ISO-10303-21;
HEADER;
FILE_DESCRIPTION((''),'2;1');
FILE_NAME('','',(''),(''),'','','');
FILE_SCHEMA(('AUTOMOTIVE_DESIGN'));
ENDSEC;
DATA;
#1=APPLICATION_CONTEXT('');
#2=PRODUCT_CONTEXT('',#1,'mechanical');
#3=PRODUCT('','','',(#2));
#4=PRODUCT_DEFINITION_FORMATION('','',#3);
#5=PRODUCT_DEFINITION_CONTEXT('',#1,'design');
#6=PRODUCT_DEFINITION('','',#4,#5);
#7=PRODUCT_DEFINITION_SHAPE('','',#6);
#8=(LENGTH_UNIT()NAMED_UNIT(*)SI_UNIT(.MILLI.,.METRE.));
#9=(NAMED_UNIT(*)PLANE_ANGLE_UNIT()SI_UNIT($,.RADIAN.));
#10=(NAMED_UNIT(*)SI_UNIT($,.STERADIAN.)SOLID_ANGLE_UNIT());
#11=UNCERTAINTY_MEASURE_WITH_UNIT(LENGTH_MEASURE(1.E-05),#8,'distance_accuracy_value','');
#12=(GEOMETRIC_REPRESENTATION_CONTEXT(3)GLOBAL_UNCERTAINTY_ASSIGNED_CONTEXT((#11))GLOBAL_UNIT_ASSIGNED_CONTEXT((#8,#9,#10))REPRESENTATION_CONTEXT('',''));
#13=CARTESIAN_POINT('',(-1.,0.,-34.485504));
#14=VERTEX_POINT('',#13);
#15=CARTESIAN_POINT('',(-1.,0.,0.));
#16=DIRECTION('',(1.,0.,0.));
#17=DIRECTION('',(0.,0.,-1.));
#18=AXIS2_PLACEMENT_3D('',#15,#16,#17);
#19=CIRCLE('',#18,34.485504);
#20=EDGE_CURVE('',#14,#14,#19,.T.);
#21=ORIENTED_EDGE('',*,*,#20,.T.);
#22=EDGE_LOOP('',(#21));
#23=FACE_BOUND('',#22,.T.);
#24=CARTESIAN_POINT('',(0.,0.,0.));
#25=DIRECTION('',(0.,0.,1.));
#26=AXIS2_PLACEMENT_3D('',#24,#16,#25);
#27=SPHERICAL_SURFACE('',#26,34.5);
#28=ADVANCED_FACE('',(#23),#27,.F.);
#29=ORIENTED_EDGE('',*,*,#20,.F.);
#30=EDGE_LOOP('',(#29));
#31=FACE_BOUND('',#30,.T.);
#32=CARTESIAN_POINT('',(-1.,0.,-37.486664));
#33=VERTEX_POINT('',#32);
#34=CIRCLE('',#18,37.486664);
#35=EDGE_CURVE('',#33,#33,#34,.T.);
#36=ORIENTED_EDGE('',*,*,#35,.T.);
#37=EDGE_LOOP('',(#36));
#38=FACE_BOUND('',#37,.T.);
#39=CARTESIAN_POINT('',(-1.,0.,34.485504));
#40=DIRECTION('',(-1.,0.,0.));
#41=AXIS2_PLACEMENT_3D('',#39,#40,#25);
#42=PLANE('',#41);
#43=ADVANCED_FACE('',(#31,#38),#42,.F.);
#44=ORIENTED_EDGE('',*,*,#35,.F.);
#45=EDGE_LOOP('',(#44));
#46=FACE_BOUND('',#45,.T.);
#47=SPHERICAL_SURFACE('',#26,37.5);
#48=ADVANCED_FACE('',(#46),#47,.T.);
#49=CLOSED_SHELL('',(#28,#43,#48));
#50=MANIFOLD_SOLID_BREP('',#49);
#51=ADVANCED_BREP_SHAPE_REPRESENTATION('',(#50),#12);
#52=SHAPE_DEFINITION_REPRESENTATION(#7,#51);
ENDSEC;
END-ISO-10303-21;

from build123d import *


with BuildPart() as part:
    # 草图1 → 旋转1 (revolve)
    with BuildSketch(Plane(origin=(0, 0, 0), x_dir=(1, 0, 0), z_dir=(0, 1, 0))):
        with BuildLine():
            Line((-34.5, 0), (-37.5, 0))
            ThreePointArc((-37.5, 0), (-26.867731575, -26.160561921), (-1, -37.486664295))
            Line((-1, -37.486664295), (-1, -34.485504201))
            ThreePointArc((-1, -34.485504201), (-24.746211831, -24.039030762), (-34.5, 0))
        make_face()
    revolve(axis=Axis((0, 0, 0), (-1, 0, 0)))


solid = part.part
